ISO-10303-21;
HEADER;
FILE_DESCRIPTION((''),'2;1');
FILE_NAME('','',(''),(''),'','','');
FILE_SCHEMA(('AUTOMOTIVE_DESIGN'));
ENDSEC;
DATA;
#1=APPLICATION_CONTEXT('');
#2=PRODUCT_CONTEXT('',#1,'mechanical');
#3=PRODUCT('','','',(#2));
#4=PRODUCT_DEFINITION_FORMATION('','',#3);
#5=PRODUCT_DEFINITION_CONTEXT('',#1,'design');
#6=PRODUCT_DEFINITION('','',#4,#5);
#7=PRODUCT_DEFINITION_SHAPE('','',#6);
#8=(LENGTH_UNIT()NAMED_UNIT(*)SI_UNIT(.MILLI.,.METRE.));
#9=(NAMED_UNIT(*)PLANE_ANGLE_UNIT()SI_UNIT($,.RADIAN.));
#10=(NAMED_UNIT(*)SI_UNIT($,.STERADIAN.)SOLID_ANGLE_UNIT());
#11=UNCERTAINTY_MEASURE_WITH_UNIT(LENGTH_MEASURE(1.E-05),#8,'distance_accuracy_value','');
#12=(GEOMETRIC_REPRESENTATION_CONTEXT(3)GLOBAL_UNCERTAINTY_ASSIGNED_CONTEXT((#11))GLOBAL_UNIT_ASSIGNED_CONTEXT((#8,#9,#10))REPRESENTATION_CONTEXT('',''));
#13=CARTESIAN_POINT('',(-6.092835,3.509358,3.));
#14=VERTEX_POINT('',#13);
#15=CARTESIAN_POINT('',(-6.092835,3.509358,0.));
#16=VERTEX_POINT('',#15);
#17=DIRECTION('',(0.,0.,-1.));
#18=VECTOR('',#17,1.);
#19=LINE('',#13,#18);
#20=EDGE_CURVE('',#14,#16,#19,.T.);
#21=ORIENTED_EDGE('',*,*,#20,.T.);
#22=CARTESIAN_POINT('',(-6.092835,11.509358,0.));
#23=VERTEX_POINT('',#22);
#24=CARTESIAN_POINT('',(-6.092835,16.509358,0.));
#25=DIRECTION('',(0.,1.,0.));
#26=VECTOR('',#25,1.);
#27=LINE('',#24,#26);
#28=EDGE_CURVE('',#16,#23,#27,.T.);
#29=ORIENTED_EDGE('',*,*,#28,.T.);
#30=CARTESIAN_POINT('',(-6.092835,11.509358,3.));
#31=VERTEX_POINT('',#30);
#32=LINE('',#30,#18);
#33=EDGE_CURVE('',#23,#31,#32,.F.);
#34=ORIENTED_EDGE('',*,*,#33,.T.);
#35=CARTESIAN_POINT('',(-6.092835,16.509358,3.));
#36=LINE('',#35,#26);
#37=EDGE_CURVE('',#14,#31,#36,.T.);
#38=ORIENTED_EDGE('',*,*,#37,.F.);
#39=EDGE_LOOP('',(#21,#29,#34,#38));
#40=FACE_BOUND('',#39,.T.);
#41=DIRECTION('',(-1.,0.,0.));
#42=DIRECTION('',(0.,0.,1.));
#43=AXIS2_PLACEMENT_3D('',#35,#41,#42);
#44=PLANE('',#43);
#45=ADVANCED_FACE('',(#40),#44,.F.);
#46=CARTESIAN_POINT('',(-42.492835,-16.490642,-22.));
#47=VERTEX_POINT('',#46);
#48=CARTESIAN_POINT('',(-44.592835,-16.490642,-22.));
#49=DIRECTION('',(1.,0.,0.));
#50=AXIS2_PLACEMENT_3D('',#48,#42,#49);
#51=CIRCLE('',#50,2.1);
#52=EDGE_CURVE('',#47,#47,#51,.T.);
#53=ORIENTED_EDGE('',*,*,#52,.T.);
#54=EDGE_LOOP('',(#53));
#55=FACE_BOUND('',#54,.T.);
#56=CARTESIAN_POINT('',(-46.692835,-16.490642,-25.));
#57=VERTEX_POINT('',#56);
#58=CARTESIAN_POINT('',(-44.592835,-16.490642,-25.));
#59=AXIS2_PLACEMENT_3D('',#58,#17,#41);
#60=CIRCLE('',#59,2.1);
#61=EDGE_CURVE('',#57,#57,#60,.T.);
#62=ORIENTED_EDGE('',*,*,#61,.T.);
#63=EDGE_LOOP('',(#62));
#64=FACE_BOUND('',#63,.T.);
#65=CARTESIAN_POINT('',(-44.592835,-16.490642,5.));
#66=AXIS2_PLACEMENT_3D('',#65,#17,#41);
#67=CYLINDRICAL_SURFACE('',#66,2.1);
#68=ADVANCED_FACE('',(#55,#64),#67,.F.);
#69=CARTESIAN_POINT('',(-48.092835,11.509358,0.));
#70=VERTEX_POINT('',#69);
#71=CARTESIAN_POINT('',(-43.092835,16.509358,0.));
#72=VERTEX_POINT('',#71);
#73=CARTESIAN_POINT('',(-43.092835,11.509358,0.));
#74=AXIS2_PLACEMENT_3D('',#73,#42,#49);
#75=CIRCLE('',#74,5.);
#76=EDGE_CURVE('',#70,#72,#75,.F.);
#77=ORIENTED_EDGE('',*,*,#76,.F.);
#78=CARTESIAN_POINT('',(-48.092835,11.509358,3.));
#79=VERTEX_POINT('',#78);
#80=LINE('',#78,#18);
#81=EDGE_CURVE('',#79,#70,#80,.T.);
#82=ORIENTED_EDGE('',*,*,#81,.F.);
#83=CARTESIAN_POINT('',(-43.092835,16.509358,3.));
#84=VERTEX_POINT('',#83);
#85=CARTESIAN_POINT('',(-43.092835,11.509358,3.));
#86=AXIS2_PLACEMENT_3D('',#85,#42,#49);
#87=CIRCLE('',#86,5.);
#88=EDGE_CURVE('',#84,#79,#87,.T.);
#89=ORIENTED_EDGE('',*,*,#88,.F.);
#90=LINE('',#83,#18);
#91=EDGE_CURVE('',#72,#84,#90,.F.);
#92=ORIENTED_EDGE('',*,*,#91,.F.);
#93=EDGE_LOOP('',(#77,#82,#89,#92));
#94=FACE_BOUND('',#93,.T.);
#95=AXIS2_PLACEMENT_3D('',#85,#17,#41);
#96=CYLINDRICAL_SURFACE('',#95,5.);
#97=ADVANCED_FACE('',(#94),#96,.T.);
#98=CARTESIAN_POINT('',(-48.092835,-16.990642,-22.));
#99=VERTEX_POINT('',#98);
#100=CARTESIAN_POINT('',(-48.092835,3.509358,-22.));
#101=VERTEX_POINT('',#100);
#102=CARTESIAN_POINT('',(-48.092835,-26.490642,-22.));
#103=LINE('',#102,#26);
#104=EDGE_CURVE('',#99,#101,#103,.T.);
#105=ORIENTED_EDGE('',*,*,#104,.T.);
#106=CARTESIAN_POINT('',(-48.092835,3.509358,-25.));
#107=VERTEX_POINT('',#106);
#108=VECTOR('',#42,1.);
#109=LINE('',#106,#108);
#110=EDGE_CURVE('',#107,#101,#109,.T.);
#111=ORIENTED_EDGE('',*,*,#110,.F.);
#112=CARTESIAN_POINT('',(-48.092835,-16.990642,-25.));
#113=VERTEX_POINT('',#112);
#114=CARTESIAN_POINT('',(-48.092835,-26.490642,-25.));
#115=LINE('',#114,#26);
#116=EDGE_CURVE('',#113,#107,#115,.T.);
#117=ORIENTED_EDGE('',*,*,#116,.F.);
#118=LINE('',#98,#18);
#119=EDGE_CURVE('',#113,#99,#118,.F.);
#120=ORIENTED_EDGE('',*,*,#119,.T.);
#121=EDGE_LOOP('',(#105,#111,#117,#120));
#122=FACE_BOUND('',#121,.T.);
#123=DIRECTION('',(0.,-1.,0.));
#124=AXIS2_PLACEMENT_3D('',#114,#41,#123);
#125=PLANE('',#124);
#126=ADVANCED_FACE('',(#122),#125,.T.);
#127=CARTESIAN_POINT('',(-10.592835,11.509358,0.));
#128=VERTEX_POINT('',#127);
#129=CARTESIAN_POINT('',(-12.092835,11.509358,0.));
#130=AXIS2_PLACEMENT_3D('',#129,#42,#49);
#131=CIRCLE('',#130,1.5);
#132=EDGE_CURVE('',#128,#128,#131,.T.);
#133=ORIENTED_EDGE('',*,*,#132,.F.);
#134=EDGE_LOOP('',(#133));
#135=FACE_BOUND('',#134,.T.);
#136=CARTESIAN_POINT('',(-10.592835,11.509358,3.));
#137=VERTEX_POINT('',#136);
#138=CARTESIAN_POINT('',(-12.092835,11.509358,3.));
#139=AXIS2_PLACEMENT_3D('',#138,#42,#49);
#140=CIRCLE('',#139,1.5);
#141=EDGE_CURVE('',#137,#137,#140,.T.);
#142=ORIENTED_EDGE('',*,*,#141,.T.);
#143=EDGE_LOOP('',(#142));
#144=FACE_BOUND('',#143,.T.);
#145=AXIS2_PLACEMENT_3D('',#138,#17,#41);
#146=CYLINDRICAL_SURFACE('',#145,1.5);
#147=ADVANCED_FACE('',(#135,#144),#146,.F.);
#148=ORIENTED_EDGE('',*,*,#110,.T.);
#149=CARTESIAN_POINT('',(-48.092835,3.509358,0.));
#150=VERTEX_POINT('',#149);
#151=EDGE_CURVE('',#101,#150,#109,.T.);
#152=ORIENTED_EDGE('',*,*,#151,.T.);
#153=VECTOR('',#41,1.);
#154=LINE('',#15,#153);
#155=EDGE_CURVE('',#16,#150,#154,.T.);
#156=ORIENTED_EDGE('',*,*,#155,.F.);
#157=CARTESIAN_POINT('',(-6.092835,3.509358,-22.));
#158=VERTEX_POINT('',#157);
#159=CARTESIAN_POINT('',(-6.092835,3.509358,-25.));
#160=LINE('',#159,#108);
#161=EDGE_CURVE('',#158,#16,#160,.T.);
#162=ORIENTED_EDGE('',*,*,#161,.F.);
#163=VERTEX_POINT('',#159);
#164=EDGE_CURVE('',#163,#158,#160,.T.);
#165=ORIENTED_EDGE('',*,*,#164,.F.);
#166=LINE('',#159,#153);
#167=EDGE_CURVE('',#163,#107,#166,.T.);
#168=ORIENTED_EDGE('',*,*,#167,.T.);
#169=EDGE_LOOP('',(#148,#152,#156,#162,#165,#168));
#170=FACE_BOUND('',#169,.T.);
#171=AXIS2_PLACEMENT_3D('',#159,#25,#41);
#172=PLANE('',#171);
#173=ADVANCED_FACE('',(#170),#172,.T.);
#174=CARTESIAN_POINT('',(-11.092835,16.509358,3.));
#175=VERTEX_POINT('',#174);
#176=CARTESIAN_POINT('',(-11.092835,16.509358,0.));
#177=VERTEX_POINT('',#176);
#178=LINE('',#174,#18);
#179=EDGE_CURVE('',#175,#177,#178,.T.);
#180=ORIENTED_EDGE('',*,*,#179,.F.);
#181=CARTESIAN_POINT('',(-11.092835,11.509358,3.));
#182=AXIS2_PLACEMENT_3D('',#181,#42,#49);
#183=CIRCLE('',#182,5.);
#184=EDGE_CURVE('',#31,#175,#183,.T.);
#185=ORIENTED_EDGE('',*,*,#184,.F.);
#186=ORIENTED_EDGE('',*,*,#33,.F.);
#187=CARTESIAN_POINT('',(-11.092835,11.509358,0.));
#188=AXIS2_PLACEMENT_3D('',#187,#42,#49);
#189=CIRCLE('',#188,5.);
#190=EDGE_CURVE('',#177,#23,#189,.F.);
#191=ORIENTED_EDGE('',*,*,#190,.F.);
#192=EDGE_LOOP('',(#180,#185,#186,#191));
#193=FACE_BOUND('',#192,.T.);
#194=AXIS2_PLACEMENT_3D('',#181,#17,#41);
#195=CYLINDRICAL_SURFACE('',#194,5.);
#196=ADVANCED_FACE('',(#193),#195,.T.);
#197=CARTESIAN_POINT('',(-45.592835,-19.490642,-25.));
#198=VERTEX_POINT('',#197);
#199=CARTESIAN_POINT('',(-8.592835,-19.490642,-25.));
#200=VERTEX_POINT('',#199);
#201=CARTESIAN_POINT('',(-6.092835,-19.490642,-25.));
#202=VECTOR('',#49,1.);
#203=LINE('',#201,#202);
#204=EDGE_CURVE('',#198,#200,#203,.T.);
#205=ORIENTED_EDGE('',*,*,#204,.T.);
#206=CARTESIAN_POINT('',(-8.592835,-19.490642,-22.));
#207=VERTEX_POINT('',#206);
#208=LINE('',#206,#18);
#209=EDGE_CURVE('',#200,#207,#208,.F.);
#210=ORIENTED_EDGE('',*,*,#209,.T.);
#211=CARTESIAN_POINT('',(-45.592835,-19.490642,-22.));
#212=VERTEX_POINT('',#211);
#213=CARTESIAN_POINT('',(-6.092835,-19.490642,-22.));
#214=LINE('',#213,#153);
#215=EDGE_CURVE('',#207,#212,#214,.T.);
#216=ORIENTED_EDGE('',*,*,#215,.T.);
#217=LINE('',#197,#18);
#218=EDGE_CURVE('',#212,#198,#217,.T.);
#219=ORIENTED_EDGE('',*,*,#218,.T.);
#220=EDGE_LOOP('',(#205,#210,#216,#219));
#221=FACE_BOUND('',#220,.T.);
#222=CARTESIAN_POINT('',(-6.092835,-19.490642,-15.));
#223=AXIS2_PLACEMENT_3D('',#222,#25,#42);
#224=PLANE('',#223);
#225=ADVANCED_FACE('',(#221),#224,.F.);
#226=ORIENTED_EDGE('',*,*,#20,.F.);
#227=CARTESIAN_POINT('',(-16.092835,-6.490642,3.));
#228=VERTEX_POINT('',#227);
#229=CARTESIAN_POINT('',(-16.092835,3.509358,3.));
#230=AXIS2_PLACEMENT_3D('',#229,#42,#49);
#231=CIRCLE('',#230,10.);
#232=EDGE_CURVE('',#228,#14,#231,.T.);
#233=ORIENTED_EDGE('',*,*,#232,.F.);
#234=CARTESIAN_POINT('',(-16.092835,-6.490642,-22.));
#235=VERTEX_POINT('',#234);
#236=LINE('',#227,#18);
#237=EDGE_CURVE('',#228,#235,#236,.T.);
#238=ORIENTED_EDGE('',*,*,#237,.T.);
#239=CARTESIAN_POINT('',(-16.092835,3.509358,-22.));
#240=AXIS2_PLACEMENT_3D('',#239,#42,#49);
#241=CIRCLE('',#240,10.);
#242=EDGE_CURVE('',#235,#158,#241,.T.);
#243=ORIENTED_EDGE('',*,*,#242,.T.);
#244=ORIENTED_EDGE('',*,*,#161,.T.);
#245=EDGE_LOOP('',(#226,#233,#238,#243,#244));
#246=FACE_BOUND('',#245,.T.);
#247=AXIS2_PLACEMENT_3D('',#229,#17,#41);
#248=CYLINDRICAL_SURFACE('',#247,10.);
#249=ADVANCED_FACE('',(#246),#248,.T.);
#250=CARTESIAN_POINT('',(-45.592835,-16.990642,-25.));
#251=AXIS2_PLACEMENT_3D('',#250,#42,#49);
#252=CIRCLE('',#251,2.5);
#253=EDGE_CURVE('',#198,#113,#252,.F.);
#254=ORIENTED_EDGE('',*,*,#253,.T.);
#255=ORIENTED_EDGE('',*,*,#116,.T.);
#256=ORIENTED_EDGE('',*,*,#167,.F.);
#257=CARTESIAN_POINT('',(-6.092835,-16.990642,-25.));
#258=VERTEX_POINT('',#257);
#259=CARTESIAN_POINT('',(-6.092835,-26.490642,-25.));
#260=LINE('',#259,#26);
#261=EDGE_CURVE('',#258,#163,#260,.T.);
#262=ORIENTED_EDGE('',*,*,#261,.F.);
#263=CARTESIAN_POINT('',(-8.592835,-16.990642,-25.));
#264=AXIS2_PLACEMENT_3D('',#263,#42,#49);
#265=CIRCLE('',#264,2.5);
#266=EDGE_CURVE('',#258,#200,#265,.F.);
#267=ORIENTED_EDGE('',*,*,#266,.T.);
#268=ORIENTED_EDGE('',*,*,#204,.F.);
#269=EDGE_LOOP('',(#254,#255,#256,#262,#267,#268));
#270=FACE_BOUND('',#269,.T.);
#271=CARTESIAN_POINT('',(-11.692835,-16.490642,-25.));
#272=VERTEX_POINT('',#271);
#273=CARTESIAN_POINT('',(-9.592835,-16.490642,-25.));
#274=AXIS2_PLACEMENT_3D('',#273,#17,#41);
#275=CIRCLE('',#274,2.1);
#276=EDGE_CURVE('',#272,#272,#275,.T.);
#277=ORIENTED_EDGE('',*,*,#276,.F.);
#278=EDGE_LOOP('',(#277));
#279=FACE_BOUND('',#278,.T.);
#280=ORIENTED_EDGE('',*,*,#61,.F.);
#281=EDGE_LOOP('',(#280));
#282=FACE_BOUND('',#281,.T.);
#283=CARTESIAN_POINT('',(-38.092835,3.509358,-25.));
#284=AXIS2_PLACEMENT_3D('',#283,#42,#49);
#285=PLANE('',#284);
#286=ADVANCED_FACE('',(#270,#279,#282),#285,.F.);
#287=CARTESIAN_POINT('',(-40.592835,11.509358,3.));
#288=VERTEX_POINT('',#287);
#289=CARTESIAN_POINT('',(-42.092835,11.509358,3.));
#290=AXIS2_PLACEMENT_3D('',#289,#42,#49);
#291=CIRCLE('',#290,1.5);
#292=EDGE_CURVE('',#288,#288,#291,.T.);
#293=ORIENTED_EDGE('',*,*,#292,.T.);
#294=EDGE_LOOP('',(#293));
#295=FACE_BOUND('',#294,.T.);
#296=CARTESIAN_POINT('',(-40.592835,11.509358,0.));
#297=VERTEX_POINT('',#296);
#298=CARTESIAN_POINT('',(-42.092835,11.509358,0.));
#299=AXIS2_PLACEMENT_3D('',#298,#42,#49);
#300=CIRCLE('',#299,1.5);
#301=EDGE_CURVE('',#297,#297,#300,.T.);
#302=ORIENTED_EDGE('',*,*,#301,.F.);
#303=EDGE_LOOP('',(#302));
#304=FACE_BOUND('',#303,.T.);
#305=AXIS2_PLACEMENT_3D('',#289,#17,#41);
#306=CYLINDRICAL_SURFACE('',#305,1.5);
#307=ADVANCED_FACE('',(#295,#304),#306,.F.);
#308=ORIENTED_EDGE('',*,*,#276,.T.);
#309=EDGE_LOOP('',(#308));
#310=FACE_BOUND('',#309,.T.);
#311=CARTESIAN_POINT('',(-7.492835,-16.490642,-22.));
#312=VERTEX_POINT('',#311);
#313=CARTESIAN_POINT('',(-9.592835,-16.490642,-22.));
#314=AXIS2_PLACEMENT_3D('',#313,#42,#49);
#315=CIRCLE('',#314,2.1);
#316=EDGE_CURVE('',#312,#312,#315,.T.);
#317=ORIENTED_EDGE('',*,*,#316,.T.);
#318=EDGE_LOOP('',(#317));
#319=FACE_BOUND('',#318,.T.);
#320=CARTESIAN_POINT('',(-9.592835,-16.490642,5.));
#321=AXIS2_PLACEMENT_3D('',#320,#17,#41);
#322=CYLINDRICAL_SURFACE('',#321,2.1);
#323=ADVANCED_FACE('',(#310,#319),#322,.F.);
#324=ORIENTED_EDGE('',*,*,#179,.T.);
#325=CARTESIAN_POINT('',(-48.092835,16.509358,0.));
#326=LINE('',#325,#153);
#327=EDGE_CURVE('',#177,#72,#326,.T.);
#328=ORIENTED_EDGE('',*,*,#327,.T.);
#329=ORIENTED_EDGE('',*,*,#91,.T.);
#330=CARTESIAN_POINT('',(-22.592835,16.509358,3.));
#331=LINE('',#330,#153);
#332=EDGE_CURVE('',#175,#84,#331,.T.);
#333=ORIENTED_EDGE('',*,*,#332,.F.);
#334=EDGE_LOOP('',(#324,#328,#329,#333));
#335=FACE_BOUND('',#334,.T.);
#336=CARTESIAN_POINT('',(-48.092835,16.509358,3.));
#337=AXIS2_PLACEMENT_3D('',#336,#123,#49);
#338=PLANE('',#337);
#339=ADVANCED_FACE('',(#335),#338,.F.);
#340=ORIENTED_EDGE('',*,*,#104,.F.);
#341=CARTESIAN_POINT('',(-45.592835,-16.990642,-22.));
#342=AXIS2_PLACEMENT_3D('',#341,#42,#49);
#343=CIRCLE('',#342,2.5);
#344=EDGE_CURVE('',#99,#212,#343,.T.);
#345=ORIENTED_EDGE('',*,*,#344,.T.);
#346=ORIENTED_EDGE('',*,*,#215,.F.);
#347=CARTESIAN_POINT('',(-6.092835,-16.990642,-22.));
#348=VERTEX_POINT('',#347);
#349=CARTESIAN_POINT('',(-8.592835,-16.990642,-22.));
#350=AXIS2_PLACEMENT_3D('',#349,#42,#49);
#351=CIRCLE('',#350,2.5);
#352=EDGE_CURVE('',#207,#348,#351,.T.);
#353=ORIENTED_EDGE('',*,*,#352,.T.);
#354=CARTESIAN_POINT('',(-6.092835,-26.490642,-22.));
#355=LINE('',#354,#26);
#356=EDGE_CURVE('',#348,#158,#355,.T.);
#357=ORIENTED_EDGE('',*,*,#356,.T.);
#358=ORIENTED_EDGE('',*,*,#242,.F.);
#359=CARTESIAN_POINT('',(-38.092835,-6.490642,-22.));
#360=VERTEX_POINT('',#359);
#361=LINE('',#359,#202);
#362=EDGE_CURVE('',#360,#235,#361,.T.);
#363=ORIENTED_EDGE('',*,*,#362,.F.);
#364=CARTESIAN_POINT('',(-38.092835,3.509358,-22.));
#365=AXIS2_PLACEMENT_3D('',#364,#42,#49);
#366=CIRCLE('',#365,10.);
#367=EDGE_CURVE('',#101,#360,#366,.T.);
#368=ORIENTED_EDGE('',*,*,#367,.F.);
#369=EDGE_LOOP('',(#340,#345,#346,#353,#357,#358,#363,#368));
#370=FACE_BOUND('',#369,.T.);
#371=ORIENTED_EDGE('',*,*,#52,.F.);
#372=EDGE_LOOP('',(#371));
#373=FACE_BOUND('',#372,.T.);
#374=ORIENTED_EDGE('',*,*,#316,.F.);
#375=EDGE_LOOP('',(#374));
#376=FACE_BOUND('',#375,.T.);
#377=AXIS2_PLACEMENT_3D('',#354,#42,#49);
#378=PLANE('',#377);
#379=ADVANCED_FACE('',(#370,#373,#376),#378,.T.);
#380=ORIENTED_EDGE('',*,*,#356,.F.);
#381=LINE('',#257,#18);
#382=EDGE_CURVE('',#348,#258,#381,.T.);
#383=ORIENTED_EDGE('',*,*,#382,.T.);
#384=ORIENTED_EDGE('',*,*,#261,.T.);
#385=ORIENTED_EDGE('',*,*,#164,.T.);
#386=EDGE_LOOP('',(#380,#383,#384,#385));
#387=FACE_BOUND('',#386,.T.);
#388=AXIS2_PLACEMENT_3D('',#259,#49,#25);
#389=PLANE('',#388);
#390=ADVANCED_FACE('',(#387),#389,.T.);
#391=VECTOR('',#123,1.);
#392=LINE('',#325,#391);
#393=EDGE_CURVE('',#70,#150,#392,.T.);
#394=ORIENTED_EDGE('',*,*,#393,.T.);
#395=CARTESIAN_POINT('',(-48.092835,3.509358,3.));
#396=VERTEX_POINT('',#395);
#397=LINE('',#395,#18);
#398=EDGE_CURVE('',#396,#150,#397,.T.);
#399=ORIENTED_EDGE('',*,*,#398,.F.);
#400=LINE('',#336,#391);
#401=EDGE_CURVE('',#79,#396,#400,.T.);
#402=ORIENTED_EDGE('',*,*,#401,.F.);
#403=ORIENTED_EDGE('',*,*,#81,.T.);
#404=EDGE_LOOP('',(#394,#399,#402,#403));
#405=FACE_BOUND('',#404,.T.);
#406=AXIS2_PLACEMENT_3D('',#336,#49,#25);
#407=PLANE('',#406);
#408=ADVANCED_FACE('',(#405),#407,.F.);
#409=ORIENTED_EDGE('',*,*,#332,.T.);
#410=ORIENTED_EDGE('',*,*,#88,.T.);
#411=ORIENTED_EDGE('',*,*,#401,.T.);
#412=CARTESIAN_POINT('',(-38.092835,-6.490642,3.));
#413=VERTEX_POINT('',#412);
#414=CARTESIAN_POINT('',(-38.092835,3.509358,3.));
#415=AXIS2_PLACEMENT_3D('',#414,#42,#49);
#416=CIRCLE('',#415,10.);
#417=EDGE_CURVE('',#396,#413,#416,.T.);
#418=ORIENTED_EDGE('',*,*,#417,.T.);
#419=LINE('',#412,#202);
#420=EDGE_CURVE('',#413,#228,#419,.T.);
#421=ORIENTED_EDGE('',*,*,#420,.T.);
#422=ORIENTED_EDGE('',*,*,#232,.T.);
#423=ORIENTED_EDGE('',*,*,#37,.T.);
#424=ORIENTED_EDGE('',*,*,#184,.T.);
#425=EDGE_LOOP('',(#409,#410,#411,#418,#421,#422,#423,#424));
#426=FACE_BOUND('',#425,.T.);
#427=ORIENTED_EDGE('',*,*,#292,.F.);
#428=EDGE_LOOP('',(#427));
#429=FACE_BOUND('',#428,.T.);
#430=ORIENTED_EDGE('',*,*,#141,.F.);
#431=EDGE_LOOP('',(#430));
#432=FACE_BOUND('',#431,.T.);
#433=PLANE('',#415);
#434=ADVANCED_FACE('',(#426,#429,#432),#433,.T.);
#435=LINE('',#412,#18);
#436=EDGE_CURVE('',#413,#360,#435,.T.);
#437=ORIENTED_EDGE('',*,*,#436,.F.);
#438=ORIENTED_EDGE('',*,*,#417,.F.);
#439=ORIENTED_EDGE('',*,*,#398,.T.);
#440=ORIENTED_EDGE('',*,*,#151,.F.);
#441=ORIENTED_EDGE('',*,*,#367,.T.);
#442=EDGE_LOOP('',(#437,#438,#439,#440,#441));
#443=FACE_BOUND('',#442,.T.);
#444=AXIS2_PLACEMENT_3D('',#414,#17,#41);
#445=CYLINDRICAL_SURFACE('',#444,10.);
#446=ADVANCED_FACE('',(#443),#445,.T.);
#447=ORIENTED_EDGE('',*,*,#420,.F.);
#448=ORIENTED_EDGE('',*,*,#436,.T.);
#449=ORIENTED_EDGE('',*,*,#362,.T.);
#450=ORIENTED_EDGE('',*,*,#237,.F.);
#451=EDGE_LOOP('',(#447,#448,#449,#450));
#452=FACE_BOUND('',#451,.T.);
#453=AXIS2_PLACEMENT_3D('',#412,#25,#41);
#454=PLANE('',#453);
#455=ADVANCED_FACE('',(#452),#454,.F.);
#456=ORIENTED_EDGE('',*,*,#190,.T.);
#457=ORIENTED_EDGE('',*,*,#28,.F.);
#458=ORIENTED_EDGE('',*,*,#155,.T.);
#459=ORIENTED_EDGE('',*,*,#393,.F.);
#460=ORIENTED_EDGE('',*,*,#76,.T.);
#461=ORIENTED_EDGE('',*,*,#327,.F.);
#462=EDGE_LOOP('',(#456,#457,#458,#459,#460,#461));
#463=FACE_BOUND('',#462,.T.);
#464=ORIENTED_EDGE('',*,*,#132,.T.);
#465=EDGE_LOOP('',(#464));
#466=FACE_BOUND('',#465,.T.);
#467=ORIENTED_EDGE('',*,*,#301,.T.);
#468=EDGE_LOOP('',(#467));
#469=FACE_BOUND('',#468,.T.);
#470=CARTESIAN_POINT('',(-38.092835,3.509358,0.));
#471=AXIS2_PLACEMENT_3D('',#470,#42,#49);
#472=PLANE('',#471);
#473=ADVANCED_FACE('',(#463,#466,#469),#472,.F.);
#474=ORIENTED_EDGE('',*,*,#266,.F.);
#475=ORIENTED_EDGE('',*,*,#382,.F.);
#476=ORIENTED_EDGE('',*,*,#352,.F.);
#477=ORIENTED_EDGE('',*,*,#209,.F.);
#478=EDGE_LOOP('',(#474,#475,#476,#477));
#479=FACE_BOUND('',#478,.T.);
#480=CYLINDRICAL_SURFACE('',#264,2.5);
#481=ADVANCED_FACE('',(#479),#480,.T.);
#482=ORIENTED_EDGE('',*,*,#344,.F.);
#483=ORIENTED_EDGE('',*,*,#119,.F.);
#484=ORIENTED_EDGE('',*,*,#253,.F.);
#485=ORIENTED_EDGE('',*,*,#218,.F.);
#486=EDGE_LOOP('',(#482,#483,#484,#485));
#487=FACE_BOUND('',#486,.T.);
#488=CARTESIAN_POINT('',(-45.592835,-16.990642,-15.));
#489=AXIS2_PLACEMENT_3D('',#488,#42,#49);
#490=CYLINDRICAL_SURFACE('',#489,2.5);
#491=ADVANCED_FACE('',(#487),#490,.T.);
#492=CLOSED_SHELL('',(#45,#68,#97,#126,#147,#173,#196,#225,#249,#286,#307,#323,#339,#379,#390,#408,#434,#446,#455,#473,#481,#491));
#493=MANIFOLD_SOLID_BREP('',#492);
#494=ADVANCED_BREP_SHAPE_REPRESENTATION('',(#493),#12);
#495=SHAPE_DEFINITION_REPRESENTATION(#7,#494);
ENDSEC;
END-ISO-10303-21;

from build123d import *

# Parameters (mm, degrees)
SKETCH3_R           = 1.5
BOSS_EXTRUDE3_DEPTH = 3
BOSS_EXTRUDE4_START = -25
BOSS_EXTRUDE4_DEPTH = 25
FILLET4_R           = 5
SKETCH9_W           = 42
SKETCH9_H           = 3
BOSS_EXTRUDE7_DEPTH = 30
FILLET6_R           = 5
FILLET7_R           = 5
SKETCH11_R          = 2.1
CUT_EXTRUDE2_DEPTH  = 30
SKETCH12_W          = 44.285709781
SKETCH12_H          = 8.726500344
CUT_EXTRUDE3_DEPTH  = 10
FILLET8_R           = 2.5


with BuildPart() as part:
    # Sketch3 → Boss-Extrude3 (new body)
    with BuildSketch(Plane.XY):
        with BuildLine():
            Line((-22.592834793, 16.50935751), (-6.092834793, 16.50935751))
            Line((-6.092834793, 16.50935751), (-6.092834793, 3.50935751))
            ThreePointArc((-6.092834793, 3.50935751), (-9.021766981, -3.561710302), (-16.092834793, -6.49064249))
            Line((-16.092834793, -6.49064249), (-38.092834793, -6.49064249))
            ThreePointArc((-38.092834793, -6.49064249), (-45.163902605, -3.561710302), (-48.092834793, 3.50935751))
            Line((-48.092834793, 3.50935751), (-48.092834793, 16.50935751))
            Line((-48.092834793, 16.50935751), (-31.592834793, 16.50935751))
            Line((-31.592834793, 16.50935751), (-22.592834793, 16.50935751))
        make_face()
        with Locations((-42.092834793, 11.50935751)):
            Circle(SKETCH3_R, mode=Mode.SUBTRACT)
        with Locations((-12.092834793, 11.50935751)):
            Circle(SKETCH3_R, mode=Mode.SUBTRACT)
    extrude(amount=BOSS_EXTRUDE3_DEPTH)

    # Sketch6 → Boss-Extrude4 (add)
    with BuildSketch(Plane.XY.offset(BOSS_EXTRUDE4_START)):
        with BuildLine():
            Line((-38.092834793, -6.49064249), (-16.092834793, -6.49064249))
            ThreePointArc((-16.092834793, -6.49064249), (-9.021766981, -3.561710302), (-6.092834793, 3.50935751))
            Line((-6.092834793, 3.50935751), (-48.092834793, 3.50935751))
            ThreePointArc((-48.092834793, 3.50935751), (-45.163902605, -3.561710302), (-38.092834793, -6.49064249))
        make_face()
    extrude(amount=BOSS_EXTRUDE4_DEPTH)

    # Fillet4
    fillet4_edges = [part.edges().sort_by_distance(p)[0] for p in [
        (-48.092834793, 16.50935751, 1.5),
        (-6.092834793, 16.50935751, 1.5),
    ]]
    fillet(fillet4_edges, radius=FILLET4_R)

    # Sketch9 → Boss-Extrude7 (add)
    with BuildSketch(Plane(origin=(0, 3.50935751, 0), x_dir=(1, 0, 0), z_dir=(0, 1, 0))):
        with Locations((-27.092834793, 23.5)):
            Rectangle(SKETCH9_W, SKETCH9_H)
    extrude(amount=-BOSS_EXTRUDE7_DEPTH)

    # Fillet6
    fillet6_edges = [part.edges().sort_by_distance(p)[0] for p in [
        (-6.092834793, -26.49064249, -23.5),
    ]]
    fillet(fillet6_edges, radius=FILLET6_R)

    # Fillet7
    fillet7_edges = [part.edges().sort_by_distance(p)[0] for p in [
        (-48.092834793, -26.49064249, -23.5),
    ]]
    fillet(fillet7_edges, radius=FILLET7_R)

    # Sketch11 → Cut-Extrude2 (cut)
    with BuildSketch(Plane(origin=(0, 0, -25), x_dir=(-1, 0, 0), z_dir=(0, 0, -1))):
        with Locations((9.592834793, -16.49064249)):
            Circle(SKETCH11_R)
        with Locations((44.592834793, -16.49064249)):
            Circle(SKETCH11_R)
        with BuildLine():
            Line((22.592834793, -24.49064249), (31.592834793, -24.49064249))
            ThreePointArc((31.592834793, -24.49064249), (27.092834793, -19.99064249), (22.592834793, -24.49064249))
        make_face()
    extrude(amount=-CUT_EXTRUDE2_DEPTH, mode=Mode.SUBTRACT)

    # Sketch12 → Cut-Extrude3 (cut)
    with BuildSketch(Plane(origin=(0, 0, -25), x_dir=(-1, 0, 0), z_dir=(0, 0, -1))):
        with Locations((28.235689684, -23.853892662)):
            Rectangle(SKETCH12_W, SKETCH12_H)
    extrude(amount=-CUT_EXTRUDE3_DEPTH, mode=Mode.SUBTRACT)

    # Fillet8
    fillet8_edges = [part.edges().sort_by_distance(p)[0] for p in [
        (-48.092834793, -19.49064249, -23.5),
        (-6.092834793, -19.49064249, -23.5),
    ]]
    fillet(fillet8_edges, radius=FILLET8_R)


solid = part.part
